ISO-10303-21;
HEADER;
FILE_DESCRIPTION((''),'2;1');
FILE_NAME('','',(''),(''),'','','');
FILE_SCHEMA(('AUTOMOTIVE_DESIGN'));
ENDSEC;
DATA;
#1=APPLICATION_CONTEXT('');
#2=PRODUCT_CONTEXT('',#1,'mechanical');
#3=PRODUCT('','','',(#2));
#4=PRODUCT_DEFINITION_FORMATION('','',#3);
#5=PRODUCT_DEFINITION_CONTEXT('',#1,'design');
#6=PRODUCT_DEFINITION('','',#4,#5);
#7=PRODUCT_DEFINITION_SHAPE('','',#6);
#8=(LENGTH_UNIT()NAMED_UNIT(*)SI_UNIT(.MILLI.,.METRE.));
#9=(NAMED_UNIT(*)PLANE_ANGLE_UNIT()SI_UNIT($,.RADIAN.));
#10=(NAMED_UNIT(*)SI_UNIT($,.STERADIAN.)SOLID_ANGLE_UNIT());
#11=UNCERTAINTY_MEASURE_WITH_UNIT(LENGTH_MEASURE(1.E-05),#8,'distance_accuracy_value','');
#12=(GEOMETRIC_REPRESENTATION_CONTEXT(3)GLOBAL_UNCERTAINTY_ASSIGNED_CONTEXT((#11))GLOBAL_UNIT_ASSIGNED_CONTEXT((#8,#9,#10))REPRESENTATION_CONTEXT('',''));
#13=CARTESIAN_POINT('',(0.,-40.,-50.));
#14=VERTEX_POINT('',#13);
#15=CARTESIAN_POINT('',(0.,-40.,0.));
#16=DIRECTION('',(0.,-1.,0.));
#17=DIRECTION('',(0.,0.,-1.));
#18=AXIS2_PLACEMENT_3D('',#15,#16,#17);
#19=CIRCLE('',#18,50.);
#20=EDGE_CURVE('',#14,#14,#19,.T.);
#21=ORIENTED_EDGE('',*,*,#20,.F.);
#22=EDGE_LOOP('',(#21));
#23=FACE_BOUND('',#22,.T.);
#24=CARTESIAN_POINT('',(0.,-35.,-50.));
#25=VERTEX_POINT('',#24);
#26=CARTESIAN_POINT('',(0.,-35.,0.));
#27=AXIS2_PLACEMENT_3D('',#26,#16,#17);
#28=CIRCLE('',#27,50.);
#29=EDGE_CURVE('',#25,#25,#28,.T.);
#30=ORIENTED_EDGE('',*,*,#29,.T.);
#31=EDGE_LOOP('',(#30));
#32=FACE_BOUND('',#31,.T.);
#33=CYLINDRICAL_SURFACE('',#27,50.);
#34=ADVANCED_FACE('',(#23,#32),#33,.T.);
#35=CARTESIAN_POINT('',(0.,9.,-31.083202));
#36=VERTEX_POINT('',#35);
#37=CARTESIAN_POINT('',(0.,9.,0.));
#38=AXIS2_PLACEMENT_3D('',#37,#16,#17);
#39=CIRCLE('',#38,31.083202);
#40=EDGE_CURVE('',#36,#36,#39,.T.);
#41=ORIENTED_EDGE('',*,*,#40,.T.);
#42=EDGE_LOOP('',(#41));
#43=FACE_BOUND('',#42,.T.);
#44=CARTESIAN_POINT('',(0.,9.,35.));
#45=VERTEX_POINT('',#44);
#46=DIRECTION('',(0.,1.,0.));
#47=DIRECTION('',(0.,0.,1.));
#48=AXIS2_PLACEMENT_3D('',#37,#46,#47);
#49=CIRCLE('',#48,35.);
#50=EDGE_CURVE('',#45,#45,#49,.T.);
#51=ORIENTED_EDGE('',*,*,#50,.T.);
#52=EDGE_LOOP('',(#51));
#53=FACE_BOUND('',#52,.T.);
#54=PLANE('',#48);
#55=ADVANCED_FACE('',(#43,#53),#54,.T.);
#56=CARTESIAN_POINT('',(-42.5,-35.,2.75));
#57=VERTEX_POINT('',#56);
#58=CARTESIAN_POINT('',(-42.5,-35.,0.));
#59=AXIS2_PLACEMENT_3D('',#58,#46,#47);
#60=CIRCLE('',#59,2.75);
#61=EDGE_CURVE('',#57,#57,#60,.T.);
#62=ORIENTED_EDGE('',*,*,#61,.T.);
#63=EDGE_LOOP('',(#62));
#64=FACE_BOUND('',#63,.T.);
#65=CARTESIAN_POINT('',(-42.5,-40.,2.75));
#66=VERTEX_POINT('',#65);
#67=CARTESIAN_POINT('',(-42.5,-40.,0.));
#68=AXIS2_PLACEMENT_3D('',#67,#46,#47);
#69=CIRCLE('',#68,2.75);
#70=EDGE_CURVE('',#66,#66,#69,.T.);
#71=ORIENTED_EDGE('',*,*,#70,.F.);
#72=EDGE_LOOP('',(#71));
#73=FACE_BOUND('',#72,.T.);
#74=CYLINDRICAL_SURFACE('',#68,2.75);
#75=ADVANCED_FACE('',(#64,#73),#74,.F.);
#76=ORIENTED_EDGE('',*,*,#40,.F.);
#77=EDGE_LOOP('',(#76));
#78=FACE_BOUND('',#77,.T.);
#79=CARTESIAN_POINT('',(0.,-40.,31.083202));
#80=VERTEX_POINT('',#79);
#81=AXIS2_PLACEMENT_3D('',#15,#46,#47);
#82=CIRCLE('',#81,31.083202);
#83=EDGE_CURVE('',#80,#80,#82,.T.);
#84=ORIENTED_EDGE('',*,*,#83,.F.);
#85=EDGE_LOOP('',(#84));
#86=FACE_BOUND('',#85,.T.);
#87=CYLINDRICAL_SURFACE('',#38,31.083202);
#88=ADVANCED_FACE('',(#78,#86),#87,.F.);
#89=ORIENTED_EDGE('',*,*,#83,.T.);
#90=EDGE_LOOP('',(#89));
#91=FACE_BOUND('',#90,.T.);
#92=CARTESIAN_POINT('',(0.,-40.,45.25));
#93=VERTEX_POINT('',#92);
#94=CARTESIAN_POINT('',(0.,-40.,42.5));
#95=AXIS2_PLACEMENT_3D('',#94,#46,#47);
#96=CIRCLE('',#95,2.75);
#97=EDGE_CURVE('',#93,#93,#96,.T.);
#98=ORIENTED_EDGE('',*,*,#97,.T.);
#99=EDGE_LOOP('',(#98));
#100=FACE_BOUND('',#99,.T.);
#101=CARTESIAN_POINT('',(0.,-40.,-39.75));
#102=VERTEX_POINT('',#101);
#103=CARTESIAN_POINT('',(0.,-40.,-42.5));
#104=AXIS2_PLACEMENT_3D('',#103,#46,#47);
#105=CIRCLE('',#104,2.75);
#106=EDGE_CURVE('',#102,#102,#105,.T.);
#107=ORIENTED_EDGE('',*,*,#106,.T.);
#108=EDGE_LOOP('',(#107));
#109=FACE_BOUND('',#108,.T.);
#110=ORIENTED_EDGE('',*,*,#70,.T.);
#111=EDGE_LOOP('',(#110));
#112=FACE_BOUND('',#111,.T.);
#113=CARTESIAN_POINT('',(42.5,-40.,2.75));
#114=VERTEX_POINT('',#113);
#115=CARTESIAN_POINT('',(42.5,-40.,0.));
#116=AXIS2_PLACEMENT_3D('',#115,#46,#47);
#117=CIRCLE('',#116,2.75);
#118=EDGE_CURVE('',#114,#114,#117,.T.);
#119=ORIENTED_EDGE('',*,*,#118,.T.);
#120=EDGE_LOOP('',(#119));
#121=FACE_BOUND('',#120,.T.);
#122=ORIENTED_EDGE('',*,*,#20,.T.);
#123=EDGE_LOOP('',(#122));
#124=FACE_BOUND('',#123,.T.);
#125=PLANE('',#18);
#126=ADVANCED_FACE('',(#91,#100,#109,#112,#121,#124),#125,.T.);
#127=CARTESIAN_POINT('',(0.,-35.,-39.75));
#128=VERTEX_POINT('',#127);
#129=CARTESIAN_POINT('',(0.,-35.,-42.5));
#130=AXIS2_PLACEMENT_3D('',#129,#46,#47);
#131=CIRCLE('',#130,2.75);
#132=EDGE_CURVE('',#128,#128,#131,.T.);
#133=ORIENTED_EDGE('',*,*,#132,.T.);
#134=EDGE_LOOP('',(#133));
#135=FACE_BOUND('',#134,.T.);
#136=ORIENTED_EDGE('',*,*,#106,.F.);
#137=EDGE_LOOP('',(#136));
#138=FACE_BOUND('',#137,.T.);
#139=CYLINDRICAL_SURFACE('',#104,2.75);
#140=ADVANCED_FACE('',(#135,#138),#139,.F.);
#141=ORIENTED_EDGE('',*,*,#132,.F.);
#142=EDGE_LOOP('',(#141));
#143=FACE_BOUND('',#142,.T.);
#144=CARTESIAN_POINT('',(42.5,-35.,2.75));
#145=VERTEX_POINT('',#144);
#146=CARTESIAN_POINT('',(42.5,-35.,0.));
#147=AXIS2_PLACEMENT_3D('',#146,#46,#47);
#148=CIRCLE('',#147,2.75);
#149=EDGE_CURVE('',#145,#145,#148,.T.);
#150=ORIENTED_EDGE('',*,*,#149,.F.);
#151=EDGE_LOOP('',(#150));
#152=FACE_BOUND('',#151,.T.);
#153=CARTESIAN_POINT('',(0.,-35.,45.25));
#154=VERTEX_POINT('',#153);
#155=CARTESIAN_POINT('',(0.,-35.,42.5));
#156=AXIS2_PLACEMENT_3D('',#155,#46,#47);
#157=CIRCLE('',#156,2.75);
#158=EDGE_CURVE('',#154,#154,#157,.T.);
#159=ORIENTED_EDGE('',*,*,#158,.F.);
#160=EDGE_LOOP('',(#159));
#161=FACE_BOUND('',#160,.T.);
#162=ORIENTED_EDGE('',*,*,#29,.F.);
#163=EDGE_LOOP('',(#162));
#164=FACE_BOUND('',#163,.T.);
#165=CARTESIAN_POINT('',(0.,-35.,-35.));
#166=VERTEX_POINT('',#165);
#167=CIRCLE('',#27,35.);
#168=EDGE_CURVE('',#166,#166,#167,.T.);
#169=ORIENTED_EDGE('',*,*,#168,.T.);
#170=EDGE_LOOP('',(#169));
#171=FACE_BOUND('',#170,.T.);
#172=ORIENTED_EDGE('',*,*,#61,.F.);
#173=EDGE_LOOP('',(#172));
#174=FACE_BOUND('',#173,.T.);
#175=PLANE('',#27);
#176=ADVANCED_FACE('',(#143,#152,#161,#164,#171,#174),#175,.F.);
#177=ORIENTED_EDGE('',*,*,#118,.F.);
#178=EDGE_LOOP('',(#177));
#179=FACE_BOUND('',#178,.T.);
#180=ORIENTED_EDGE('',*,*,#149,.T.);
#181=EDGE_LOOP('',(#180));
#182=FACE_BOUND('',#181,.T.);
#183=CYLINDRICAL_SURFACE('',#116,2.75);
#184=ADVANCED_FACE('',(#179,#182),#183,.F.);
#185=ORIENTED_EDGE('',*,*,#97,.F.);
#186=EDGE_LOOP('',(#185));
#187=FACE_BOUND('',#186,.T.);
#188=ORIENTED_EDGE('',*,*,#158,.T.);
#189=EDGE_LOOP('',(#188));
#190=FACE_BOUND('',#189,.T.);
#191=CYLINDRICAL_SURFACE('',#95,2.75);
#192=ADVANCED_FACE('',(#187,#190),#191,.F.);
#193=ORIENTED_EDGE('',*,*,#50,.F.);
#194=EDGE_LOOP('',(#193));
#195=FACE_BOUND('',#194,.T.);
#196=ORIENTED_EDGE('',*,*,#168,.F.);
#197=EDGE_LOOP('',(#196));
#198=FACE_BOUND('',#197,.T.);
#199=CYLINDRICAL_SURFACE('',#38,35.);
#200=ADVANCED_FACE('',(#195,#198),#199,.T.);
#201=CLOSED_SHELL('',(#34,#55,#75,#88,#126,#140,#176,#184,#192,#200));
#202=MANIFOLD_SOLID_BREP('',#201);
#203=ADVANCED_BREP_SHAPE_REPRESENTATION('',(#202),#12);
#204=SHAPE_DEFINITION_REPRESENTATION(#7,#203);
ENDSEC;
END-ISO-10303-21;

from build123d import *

# Parameters (mm, degrees)
SKETCH1_R           = 35
BOSS_EXTRUDE1_DEPTH = 9
SKETCH4_R           = 31.083201595
CUT_EXTRUDE1_DEPTH  = 9
BOSS_EXTRUDE3_START = 40
SKETCH5_R           = 35
SKETCH5_R_2         = 31.083201595
BOSS_EXTRUDE3_DEPTH = 40
SKETCH8_R           = 50
BOSS_EXTRUDE4_DEPTH = 5
SKETCH10_R          = 2.75
CUT_EXTRUDE2_DEPTH  = 5
CUT_EXTRUDE3_START  = -5
SKETCH11_R          = 31.083201595
CUT_EXTRUDE3_DEPTH  = 5


with BuildPart() as part:
    # Sketch1 → Boss-Extrude1 (new body)
    with BuildSketch(Plane(origin=(0, 0, 0), x_dir=(1, 0, 0), z_dir=(0, 1, 0))):
        with Locations(Location((0, 0, 0), (0, 0, 270))):
            Circle(SKETCH1_R)
    extrude(amount=BOSS_EXTRUDE1_DEPTH)

    # Sketch4 → Cut-Extrude1 (cut)
    with BuildSketch(Plane.XZ):
        with Locations(Location((0, 0, 0), (0, 0, 270))):
            Circle(SKETCH4_R)
    extrude(amount=-CUT_EXTRUDE1_DEPTH, mode=Mode.SUBTRACT)

    # Sketch5 → Boss-Extrude3 (add)
    with BuildSketch(Plane.XZ.offset(BOSS_EXTRUDE3_START)):
        with Locations(Location((0, 0, 0), (0, 0, 270))):
            Circle(SKETCH5_R)
        with Locations(Location((0, 0, 0), (0, 0, 270))):
            Circle(SKETCH5_R_2, mode=Mode.SUBTRACT)
    extrude(amount=-BOSS_EXTRUDE3_DEPTH)

    # Sketch8 → Boss-Extrude4 (add)
    with BuildSketch(Plane.XZ.offset(40)):
        with Locations(Location((0, 0, 0), (0, 0, 270))):
            Circle(SKETCH8_R)
    extrude(amount=-BOSS_EXTRUDE4_DEPTH)

    # Sketch10 → Cut-Extrude2 (cut)
    with BuildSketch(Plane(origin=(0, -35, 0), x_dir=(1, 0, 0), z_dir=(0, 1, 0))):
        with Locations(Location((0, 42.5, 0), (0, 0, 270))):
            Circle(SKETCH10_R)
        with Locations(Location((42.5, 0, 0), (0, 0, 270))):
            Circle(SKETCH10_R)
        with Locations(Location((0, -42.5, 0), (0, 0, 270))):
            Circle(SKETCH10_R)
        with Locations(Location((-42.5, 0, 0), (0, 0, 270))):
            Circle(SKETCH10_R)
    extrude(amount=-CUT_EXTRUDE2_DEPTH, mode=Mode.SUBTRACT)

    # Sketch11 → Cut-Extrude3 (cut)
    with BuildSketch(Plane(origin=(0, -35, 0), x_dir=(1, 0, 0), z_dir=(0, 1, 0)).offset(CUT_EXTRUDE3_START)):
        with Locations(Location((0, 0, 0), (0, 0, 90))):
            Circle(SKETCH11_R)
    extrude(amount=CUT_EXTRUDE3_DEPTH, mode=Mode.SUBTRACT)


solid = part.part
